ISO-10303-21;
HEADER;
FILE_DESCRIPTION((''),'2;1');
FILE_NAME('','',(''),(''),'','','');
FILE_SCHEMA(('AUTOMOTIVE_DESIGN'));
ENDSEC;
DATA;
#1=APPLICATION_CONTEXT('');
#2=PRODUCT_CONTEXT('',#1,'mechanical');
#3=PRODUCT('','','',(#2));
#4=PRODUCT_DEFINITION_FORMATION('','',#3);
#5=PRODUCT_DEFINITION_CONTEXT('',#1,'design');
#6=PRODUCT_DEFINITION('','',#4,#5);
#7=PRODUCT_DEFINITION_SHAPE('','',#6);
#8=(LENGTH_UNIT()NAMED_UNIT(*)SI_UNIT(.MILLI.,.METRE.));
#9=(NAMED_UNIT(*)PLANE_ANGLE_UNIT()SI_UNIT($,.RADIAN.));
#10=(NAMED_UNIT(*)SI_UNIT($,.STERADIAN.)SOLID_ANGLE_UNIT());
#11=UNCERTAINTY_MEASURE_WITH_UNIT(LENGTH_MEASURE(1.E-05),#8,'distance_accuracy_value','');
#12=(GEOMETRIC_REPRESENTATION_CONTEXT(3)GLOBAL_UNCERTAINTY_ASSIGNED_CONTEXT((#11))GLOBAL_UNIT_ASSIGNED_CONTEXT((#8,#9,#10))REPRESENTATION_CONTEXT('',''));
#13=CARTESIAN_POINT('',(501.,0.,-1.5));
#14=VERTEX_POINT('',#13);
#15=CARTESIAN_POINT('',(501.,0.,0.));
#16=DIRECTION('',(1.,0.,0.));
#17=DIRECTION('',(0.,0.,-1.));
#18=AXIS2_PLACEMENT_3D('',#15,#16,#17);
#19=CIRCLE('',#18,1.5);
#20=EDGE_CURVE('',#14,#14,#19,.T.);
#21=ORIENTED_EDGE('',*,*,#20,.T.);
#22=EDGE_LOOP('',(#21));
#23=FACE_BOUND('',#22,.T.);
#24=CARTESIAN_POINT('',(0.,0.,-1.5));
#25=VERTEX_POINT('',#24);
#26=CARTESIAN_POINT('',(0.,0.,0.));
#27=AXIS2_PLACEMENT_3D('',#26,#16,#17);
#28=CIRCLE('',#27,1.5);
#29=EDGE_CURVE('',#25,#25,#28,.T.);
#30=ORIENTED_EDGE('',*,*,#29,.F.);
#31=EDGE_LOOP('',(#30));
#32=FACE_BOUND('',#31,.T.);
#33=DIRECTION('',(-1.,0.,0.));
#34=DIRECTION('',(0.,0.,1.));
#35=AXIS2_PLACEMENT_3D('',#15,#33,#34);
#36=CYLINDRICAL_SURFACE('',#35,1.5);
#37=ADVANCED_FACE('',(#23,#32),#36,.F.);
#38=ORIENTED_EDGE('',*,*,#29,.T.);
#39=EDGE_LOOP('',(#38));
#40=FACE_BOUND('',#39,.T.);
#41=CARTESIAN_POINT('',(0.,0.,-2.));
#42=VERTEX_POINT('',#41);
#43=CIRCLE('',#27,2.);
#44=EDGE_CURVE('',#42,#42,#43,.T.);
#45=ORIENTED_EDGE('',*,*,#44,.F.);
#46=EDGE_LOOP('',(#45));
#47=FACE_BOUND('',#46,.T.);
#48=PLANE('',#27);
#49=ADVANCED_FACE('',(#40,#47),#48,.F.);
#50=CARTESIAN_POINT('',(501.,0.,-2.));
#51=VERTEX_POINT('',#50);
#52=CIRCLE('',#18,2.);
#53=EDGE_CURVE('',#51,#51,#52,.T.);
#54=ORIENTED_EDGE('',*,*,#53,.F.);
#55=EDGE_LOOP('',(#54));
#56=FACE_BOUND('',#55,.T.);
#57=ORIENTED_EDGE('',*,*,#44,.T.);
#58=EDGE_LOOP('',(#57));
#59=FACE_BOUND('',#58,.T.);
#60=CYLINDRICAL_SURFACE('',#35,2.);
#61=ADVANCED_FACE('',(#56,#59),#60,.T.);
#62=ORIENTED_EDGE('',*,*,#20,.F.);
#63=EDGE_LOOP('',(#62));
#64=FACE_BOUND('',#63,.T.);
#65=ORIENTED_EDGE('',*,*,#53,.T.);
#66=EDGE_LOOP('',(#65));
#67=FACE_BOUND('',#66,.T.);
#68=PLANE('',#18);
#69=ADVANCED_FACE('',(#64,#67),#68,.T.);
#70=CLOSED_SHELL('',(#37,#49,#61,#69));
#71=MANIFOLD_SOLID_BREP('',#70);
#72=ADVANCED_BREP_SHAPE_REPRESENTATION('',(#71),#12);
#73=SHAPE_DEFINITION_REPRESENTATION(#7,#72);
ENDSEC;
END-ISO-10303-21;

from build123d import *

# Parameters (mm, degrees)
ESBO_O1_R                = 2
ESBO_O1_R_2              = 1.5
RESSALTO_EXTRUS_O1_DEPTH = 501


with BuildPart() as part:
    # Esboço1 → Ressalto-extrusão1 (new body)
    with BuildSketch(Plane(origin=(0, 0, 0), x_dir=(0, 0, -1), z_dir=(1, 0, 0))):
        Circle(ESBO_O1_R)
        Circle(ESBO_O1_R_2, mode=Mode.SUBTRACT)
    extrude(amount=RESSALTO_EXTRUS_O1_DEPTH)


solid = part.part
